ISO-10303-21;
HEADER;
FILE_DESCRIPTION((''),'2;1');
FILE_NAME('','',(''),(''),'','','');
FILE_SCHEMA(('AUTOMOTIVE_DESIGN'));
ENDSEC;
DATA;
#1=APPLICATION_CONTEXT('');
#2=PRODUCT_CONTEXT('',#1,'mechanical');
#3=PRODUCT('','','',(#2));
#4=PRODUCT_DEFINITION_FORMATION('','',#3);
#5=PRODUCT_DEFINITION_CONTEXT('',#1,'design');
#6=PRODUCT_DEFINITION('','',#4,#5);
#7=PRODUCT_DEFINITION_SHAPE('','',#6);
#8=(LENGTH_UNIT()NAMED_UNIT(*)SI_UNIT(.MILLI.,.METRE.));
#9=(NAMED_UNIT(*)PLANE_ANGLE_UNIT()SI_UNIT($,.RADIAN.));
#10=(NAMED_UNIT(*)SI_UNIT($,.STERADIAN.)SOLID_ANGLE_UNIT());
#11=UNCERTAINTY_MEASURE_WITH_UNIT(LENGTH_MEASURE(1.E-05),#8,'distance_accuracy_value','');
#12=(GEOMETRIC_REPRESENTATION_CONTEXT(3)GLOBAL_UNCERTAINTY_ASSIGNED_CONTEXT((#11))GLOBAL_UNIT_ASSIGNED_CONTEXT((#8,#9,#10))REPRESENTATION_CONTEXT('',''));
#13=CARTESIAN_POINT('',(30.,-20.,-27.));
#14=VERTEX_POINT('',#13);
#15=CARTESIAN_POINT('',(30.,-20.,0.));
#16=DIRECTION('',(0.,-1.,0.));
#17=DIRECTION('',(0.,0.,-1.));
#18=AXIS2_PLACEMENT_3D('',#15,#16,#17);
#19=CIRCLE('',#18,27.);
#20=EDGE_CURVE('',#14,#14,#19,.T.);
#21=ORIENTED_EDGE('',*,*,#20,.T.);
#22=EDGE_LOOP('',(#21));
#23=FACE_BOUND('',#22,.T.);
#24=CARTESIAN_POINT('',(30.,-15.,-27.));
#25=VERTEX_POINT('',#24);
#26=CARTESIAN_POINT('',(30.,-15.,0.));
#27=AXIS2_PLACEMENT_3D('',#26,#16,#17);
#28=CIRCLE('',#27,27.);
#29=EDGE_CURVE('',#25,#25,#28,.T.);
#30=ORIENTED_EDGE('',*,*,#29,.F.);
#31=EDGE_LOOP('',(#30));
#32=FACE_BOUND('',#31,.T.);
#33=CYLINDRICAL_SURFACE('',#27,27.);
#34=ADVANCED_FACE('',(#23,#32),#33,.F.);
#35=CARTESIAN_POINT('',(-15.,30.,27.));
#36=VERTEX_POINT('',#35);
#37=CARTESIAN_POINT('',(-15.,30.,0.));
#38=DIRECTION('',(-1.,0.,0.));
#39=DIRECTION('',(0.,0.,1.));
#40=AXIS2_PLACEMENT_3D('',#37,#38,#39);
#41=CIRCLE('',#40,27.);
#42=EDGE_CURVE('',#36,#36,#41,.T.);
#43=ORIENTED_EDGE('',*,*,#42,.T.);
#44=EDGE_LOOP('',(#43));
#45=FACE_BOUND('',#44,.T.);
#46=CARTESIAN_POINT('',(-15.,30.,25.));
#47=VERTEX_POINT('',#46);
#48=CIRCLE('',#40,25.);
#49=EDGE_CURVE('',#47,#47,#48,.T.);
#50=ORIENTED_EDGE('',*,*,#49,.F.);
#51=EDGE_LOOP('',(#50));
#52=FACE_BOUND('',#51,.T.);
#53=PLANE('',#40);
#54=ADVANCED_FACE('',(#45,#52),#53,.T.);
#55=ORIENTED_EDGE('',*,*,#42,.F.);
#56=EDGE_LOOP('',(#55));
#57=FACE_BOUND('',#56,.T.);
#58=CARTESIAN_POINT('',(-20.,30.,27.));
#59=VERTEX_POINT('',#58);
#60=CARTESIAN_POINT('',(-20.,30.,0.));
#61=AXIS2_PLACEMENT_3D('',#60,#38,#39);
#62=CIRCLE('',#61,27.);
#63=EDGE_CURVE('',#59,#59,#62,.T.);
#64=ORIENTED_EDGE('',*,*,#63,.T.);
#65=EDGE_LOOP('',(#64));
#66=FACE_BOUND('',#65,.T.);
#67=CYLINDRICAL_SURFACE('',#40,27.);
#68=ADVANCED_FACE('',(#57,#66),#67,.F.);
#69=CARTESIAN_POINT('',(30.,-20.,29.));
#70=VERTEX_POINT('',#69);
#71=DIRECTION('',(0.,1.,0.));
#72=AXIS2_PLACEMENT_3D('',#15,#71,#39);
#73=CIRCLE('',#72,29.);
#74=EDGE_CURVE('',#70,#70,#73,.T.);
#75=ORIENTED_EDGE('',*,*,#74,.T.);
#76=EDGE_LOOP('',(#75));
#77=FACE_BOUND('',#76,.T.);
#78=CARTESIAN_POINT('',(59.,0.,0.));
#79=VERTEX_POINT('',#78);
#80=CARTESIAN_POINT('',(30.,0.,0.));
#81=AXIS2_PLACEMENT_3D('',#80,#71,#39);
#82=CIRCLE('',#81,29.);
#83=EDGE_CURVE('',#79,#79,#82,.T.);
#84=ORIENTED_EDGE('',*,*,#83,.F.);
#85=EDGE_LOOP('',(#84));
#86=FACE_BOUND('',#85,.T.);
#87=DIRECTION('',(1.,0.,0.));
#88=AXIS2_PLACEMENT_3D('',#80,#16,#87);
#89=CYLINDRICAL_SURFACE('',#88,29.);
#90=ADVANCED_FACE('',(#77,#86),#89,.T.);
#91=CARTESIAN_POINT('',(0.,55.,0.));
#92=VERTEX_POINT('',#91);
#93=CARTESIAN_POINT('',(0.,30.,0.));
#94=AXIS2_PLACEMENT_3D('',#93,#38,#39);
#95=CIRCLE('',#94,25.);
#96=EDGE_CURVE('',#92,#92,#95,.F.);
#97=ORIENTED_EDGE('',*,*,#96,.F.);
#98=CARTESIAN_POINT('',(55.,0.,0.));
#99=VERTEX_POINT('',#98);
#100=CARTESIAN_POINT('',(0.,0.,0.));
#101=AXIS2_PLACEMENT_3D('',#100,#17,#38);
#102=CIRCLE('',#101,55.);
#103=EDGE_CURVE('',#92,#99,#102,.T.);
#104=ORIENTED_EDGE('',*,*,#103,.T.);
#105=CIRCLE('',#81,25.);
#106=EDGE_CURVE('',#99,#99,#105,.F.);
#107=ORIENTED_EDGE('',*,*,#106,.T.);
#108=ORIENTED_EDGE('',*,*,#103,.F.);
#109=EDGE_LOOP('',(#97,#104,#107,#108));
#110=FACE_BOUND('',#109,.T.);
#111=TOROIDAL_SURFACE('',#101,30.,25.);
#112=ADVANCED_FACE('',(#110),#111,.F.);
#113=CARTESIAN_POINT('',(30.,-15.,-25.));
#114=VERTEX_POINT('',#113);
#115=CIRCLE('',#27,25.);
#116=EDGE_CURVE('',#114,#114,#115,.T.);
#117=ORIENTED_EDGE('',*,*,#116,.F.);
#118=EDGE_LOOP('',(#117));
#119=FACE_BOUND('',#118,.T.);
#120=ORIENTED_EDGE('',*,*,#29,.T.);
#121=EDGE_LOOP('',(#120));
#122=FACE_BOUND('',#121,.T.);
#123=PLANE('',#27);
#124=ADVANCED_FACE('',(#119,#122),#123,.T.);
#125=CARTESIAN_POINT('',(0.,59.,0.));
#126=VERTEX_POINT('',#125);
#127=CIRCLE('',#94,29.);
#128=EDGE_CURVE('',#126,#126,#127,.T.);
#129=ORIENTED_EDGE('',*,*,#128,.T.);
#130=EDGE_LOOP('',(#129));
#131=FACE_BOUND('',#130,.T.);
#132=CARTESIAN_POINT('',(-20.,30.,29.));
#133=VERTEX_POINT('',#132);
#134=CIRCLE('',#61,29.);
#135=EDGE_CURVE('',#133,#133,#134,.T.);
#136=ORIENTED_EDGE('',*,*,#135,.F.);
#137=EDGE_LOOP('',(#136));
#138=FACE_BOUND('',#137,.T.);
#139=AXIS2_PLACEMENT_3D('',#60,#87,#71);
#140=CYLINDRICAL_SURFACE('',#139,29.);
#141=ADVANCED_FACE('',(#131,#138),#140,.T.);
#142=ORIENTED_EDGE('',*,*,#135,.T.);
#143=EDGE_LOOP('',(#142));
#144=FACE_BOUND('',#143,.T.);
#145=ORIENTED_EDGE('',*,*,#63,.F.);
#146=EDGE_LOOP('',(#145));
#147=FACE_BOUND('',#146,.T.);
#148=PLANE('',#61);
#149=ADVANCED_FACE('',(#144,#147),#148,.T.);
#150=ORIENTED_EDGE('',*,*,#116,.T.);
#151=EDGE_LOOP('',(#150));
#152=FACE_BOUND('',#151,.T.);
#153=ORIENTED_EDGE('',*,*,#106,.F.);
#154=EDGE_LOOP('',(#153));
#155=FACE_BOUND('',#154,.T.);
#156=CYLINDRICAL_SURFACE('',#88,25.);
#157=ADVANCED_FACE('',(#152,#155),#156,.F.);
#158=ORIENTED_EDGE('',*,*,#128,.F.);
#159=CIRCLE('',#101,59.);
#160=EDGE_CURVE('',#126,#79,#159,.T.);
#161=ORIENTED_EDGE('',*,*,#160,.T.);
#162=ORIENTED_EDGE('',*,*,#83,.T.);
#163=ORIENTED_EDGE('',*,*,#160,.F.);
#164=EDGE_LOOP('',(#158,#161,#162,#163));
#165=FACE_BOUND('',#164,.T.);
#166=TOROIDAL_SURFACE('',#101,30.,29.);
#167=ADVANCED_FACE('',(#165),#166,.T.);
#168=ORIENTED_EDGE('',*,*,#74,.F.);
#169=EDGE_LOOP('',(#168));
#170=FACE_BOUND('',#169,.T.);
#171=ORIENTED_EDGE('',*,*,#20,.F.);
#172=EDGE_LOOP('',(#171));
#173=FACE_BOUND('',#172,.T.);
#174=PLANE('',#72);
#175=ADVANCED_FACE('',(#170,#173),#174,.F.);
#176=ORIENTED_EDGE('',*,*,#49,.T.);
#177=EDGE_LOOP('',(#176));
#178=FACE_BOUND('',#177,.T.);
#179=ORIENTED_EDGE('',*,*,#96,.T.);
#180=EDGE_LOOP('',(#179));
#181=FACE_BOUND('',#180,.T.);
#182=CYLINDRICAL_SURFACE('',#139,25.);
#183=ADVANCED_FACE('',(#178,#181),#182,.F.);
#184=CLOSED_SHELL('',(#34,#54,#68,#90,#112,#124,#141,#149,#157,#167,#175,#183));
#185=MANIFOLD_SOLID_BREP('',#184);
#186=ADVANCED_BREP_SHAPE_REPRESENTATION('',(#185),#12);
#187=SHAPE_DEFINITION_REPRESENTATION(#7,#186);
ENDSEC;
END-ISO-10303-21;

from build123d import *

# Parameters (mm, degrees)
SKETCH2_R          = 29
SKETCH2_R_2        = 25
SKETCH3_R          = 27
SKETCH3_R_2        = 25
CUT_EXTRUDE1_DEPTH = 5
SKETCH4_R          = 27
SKETCH4_R_2        = 25
CUT_EXTRUDE2_DEPTH = 5


with BuildPart() as part:
    # Sweep1: sweep along a path in Sketch1
    with BuildLine(Plane.XY) as sweep1_path:
        Line((-20, 30), (0, 30))
        ThreePointArc((0, 30), (21.213203436, 21.213203436), (30, 0))
        Line((30, 0), (30, -20))
    # Sketch2 → Sweep1 (sweep)
    with BuildSketch(Plane(origin=(0, -20, 0), x_dir=(1, 0, 0), z_dir=(0, 1, 0))):
        with Locations((30, 0)):
            Circle(SKETCH2_R)
        with Locations((30, 0)):
            Circle(SKETCH2_R_2, mode=Mode.SUBTRACT)
    sweep(path=sweep1_path.line)

    # Sketch3 → Cut-Extrude1 (cut)
    with BuildSketch(Plane.ZY.offset(20)):
        with Locations((0, 30)):
            Circle(SKETCH3_R)
        with Locations((0, 30)):
            Circle(SKETCH3_R_2, mode=Mode.SUBTRACT)
    extrude(amount=-CUT_EXTRUDE1_DEPTH, mode=Mode.SUBTRACT)

    # Sketch4 → Cut-Extrude2 (cut)
    with BuildSketch(Plane.XZ.offset(20)):
        with Locations((30, 0)):
            Circle(SKETCH4_R)
        with Locations((30, 0)):
            Circle(SKETCH4_R_2, mode=Mode.SUBTRACT)
    extrude(amount=-CUT_EXTRUDE2_DEPTH, mode=Mode.SUBTRACT)


solid = part.part
